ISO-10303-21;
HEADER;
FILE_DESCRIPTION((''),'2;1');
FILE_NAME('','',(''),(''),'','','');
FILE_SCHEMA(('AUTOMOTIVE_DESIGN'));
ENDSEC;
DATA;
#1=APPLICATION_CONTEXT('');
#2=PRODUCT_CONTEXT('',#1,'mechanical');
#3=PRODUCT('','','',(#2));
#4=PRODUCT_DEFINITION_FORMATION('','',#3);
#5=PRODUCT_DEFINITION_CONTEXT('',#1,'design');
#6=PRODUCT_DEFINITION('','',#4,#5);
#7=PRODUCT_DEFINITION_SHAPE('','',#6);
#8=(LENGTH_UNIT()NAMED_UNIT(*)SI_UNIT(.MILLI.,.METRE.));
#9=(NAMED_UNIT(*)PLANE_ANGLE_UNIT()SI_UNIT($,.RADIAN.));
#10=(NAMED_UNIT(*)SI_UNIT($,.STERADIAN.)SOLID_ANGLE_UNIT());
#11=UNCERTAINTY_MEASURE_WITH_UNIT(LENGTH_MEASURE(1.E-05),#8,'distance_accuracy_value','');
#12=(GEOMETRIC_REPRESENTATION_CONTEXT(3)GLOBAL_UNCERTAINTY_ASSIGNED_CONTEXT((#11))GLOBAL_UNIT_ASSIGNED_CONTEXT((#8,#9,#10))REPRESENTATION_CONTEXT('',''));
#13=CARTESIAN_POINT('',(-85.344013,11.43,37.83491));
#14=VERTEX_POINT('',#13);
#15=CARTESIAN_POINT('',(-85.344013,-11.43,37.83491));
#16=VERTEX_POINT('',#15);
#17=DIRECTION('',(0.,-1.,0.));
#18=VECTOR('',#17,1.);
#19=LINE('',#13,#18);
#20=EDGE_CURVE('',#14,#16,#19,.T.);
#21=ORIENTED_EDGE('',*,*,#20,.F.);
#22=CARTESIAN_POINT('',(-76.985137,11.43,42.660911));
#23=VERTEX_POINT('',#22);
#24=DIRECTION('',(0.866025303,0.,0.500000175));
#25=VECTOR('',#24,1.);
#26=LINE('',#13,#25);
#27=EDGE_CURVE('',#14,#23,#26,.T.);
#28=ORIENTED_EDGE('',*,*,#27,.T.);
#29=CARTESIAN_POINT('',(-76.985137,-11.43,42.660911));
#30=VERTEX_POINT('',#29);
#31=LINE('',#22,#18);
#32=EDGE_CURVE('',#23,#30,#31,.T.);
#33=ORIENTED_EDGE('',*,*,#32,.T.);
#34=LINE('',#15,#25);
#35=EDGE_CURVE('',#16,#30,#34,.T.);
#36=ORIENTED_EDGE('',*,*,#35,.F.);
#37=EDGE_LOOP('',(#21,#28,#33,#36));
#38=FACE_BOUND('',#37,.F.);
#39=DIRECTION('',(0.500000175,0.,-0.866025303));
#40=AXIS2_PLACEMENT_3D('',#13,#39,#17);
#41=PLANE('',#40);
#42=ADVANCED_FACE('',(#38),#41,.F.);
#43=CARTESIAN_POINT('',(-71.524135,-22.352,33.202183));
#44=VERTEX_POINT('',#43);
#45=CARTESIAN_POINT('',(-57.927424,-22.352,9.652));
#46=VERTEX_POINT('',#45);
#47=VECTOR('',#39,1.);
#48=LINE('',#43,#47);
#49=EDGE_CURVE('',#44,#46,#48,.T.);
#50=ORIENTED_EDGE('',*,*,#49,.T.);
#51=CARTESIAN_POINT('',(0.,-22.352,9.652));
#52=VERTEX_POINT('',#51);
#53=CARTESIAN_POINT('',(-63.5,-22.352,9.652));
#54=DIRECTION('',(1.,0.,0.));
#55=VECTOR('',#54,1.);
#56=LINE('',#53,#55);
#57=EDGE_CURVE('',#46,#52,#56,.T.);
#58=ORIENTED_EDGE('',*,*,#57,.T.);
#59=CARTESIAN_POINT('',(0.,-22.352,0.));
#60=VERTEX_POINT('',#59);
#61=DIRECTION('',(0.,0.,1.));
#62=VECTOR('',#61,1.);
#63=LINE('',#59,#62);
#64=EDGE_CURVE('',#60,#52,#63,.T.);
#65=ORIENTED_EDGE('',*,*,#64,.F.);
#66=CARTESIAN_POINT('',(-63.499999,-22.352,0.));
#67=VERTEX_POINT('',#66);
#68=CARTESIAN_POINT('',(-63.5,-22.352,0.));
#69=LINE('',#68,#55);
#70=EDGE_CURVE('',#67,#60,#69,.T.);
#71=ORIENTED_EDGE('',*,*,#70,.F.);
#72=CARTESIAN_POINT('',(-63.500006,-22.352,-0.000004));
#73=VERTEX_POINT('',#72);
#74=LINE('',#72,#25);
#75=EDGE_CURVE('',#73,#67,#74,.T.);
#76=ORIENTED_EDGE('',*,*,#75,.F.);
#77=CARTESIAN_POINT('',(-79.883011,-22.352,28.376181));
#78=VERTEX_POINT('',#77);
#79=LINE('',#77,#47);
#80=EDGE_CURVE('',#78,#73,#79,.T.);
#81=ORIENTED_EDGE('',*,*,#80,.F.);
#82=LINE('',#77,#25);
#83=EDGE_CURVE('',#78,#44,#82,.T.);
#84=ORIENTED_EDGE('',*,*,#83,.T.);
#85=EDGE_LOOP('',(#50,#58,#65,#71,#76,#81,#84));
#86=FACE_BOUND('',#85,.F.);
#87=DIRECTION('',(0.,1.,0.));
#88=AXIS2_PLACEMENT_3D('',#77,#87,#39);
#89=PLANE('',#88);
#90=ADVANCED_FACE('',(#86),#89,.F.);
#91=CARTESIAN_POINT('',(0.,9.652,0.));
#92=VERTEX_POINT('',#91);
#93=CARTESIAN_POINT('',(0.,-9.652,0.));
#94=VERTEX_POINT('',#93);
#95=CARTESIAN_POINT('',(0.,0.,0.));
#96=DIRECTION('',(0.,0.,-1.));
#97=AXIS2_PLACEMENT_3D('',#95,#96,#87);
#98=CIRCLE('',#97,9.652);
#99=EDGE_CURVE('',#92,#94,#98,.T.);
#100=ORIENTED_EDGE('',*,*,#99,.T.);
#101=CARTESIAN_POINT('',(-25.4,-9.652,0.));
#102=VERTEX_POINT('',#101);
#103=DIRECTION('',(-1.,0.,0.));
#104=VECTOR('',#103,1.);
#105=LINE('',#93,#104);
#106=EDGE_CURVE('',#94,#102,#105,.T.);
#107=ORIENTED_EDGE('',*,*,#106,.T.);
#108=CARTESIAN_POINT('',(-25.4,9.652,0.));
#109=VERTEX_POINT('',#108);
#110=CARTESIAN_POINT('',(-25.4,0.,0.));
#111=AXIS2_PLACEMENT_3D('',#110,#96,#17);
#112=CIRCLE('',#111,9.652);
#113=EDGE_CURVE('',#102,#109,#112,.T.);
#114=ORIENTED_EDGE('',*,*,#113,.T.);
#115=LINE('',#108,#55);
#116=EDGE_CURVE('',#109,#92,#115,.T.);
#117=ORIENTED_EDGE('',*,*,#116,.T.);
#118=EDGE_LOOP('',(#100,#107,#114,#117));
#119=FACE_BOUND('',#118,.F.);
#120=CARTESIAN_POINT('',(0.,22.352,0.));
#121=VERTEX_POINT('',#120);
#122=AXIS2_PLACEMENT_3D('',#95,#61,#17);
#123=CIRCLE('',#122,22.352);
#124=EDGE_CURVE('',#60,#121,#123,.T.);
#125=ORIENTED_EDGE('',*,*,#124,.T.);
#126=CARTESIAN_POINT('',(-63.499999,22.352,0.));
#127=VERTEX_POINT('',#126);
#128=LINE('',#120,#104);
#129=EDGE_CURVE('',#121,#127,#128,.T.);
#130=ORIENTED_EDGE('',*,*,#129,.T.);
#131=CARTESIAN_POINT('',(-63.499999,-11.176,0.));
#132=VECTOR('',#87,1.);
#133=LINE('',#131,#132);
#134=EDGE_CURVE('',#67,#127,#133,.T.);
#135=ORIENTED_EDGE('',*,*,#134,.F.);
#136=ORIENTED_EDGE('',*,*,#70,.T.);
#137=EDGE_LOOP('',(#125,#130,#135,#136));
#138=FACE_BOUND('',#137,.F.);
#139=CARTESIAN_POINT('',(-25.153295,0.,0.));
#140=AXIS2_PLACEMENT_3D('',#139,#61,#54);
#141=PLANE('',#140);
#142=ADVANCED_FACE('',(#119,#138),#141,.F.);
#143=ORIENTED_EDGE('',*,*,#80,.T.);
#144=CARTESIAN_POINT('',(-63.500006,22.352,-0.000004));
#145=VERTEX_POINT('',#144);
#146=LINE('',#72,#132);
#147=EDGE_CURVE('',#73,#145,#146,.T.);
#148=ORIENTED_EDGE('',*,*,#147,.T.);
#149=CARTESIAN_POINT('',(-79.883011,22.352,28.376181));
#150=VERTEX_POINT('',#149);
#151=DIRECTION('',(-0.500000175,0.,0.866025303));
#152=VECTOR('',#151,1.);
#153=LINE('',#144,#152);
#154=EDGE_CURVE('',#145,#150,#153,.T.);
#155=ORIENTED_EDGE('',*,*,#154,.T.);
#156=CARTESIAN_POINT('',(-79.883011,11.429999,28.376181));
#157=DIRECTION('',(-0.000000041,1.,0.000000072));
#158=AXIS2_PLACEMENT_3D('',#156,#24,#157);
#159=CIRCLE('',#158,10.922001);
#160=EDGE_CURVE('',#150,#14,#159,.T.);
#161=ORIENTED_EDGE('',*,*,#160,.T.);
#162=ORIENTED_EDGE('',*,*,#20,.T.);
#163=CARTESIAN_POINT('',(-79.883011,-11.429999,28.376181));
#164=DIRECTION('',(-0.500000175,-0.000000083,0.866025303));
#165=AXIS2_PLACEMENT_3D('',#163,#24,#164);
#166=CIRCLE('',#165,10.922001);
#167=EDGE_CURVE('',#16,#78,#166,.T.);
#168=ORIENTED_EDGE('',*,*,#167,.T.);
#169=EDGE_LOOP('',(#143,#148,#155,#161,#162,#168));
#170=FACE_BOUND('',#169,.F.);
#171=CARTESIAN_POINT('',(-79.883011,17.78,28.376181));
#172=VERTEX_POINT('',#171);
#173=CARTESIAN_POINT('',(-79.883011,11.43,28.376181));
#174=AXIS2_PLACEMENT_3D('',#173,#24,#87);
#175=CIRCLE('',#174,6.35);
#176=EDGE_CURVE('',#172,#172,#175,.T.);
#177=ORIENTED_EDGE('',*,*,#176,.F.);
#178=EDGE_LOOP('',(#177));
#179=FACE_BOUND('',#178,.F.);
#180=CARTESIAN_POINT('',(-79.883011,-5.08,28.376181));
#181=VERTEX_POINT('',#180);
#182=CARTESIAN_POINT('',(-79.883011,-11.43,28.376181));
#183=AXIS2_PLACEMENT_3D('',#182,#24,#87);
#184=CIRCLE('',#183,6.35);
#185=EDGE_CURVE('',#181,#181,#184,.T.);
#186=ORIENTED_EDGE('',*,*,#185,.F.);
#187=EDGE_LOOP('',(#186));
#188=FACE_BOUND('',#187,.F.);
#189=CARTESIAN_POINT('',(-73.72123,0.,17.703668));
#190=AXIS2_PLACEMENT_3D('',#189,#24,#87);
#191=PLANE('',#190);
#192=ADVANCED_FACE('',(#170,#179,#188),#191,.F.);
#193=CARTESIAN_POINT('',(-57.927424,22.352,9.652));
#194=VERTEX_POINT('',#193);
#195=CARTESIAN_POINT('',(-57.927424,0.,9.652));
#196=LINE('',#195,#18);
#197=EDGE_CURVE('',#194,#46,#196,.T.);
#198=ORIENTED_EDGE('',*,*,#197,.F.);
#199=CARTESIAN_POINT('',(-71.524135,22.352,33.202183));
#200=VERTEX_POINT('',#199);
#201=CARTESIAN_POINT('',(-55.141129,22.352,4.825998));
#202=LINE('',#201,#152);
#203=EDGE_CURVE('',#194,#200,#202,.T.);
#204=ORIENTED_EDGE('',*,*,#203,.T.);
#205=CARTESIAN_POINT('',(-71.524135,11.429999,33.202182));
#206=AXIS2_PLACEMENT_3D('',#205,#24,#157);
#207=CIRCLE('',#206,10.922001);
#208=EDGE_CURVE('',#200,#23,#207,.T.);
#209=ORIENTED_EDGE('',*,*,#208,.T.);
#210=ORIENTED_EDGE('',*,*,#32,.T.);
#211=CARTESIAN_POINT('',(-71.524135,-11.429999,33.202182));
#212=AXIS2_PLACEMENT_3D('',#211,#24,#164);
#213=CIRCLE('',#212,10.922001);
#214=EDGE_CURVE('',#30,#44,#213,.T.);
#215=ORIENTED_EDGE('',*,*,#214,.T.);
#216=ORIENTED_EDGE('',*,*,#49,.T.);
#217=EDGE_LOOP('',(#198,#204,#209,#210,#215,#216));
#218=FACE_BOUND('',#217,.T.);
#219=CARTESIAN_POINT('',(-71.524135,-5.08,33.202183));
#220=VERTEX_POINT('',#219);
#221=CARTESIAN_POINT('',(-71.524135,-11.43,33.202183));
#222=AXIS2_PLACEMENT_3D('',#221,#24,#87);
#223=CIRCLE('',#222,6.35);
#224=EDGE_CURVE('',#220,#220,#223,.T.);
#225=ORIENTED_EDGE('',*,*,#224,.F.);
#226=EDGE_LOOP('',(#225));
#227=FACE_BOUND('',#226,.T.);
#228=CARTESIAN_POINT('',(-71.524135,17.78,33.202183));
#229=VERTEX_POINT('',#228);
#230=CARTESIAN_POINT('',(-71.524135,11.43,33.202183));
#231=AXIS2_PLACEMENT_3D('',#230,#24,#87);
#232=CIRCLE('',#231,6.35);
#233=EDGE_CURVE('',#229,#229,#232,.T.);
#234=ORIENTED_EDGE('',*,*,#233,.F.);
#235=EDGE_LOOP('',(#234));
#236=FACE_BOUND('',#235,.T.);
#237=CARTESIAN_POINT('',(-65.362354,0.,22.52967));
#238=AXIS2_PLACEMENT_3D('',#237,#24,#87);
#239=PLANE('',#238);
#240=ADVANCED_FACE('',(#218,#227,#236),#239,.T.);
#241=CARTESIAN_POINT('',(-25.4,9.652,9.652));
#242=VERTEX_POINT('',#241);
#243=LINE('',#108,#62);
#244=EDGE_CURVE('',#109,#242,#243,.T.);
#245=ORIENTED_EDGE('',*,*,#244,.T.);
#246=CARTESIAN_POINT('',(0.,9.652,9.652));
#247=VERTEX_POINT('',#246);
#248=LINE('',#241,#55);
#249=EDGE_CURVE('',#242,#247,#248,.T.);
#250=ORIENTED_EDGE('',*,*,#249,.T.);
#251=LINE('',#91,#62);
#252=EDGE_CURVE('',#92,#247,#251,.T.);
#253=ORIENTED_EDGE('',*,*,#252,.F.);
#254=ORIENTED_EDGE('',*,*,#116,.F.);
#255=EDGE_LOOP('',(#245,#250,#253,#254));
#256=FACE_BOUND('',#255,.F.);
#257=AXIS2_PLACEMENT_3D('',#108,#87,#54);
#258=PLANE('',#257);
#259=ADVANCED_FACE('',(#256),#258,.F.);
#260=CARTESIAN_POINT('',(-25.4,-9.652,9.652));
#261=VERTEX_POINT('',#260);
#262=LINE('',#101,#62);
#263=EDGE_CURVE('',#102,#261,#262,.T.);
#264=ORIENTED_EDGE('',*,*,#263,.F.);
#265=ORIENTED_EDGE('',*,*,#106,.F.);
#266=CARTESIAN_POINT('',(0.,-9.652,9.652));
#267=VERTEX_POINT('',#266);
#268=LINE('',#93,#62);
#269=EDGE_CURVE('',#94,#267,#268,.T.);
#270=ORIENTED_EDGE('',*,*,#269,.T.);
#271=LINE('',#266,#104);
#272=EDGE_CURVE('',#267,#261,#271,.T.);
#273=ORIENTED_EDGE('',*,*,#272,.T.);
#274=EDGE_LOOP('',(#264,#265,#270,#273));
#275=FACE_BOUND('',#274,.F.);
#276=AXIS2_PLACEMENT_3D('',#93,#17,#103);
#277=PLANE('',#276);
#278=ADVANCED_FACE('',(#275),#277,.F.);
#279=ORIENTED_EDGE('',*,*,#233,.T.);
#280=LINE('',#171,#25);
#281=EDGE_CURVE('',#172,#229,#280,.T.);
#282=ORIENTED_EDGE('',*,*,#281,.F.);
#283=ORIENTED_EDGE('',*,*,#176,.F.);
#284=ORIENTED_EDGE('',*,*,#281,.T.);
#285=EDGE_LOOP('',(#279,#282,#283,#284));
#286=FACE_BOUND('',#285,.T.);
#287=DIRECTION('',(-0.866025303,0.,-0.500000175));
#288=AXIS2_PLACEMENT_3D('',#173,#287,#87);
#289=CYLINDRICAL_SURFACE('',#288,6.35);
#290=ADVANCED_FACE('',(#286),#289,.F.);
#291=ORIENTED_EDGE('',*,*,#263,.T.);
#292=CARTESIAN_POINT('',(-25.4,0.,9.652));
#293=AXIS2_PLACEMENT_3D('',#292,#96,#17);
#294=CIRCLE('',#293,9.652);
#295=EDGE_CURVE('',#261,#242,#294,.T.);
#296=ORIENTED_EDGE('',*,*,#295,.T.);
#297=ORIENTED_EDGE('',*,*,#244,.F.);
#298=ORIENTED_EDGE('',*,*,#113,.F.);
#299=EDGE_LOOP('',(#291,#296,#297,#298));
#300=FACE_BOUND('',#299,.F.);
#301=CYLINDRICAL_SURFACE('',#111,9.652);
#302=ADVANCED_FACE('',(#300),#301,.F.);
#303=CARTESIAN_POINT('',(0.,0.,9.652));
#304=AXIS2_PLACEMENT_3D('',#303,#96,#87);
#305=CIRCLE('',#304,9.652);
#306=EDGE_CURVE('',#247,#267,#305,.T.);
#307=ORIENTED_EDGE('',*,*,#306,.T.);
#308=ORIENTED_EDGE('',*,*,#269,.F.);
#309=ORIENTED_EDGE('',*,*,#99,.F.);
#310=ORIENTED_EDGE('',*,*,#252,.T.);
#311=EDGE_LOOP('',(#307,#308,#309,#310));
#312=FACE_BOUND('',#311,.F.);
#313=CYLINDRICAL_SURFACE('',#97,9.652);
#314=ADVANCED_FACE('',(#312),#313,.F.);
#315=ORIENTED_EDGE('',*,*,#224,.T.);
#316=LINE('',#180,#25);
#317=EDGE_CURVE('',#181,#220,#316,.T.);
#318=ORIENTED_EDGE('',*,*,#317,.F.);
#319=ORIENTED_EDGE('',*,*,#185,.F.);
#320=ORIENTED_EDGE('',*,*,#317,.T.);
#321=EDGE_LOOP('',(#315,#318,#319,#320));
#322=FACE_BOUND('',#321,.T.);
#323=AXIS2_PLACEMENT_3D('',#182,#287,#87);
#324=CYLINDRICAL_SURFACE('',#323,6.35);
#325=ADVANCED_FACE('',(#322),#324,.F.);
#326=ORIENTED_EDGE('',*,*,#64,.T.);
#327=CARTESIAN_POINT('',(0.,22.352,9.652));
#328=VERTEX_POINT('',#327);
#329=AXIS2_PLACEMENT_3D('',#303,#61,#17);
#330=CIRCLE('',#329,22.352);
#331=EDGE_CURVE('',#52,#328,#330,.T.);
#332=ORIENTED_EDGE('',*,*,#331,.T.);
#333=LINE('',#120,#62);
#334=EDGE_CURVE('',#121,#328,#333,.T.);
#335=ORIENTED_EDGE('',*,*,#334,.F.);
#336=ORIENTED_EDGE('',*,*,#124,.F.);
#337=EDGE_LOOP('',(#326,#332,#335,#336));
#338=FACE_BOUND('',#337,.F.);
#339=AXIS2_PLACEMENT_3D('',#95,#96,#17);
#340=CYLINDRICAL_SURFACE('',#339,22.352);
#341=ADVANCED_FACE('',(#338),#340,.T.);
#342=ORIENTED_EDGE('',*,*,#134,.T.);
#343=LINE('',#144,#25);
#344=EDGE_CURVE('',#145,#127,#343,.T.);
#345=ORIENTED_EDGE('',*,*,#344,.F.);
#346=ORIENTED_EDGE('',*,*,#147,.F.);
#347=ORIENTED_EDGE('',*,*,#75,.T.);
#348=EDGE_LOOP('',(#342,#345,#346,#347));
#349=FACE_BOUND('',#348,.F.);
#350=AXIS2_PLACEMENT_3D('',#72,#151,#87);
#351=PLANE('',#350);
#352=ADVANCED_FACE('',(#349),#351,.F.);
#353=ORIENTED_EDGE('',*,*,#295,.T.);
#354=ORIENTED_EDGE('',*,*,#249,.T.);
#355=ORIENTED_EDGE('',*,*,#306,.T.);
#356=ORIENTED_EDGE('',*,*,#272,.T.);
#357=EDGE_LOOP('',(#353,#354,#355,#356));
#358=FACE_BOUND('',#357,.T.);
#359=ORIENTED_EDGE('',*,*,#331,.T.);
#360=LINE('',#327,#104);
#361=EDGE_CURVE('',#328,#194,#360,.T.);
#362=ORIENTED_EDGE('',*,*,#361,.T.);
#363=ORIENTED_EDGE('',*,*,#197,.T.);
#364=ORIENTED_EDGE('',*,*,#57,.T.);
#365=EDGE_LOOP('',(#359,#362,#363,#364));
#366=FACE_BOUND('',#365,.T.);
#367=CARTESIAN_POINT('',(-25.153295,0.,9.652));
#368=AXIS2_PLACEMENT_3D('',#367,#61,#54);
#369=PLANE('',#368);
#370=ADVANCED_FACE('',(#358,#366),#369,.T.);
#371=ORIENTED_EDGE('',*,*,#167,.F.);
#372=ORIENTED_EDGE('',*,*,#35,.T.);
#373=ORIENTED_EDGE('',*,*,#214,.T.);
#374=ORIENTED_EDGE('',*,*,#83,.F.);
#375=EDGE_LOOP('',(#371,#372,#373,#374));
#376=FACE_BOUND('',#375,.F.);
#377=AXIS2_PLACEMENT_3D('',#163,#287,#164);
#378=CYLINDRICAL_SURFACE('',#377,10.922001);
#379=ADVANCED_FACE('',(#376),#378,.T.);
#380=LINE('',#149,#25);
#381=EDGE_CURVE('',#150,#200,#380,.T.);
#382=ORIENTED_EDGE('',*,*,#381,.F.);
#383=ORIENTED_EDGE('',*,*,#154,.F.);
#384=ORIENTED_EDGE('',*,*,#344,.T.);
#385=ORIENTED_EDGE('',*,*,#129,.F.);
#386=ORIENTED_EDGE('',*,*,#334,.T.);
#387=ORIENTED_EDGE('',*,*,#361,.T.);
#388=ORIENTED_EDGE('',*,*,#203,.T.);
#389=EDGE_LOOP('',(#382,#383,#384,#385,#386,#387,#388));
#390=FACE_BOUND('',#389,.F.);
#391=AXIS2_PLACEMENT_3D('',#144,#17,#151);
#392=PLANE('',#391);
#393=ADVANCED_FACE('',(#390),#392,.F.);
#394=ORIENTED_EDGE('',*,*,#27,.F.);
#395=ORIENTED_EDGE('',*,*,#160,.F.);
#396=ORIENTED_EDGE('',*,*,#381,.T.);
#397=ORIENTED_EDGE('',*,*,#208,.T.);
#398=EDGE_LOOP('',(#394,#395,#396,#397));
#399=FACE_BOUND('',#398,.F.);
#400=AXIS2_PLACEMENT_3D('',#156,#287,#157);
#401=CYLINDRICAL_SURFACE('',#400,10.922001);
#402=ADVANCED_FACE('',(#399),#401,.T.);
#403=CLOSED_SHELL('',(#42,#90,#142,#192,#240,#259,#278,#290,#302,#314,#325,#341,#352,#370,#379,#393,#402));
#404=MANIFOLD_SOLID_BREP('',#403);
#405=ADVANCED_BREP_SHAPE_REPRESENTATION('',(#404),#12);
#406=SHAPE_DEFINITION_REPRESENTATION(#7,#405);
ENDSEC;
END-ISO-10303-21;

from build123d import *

# Parameters (mm, degrees)
F2_R     = 6.35
F3_DEPTH = 9.652
F4_DEPTH = 9.652


with BuildPart() as f3:
    # F2 (on face) → F3 (new body)
    with BuildSketch(Plane(origin=(-47.625, 0, -27.496307), x_dir=(0, 1, 0), z_dir=(0.866025, 0, 0.5))):
        with BuildLine():
            Line((-22.352, 31.75), (22.352, 31.75))
            Line((22.352, 31.75), (22.352, 64.516))
            ThreePointArc((22.352, 64.516), (19.15302, 72.23902), (11.43, 75.438))
            Line((11.43, 75.438), (-11.43, 75.438))
            ThreePointArc((-11.43, 75.438), (-19.15302, 72.23902), (-22.352, 64.516))
            Line((-22.352, 64.516), (-22.352, 31.75))
        make_face()
        with Locations((-11.43, 64.516)):
            Circle(F2_R, mode=Mode.SUBTRACT)
        with Locations((11.43, 64.516)):
            Circle(F2_R, mode=Mode.SUBTRACT)
    extrude(amount=F3_DEPTH)

    # F0 (on Top) → F4 (join)
    with BuildSketch(Plane.XY):
        with BuildLine():
            Line((-63.5, -22.352), (0, -22.352))
            ThreePointArc((0, -22.352), (22.352, 0), (0, 22.352))
            Line((0, 22.352), (-63.5, 22.352))
            Line((-63.5, 22.352), (-63.5, -22.352))
        make_face()
        with BuildLine():
            ThreePointArc((0, 9.652), (9.652, 0), (0, -9.652))
            Line((0, -9.652), (-25.4, -9.652))
            ThreePointArc((-25.4, -9.652), (-35.052, 0), (-25.4, 9.652))
            Line((-25.4, 9.652), (0, 9.652))
        make_face(mode=Mode.SUBTRACT)
    extrude(amount=F4_DEPTH)


solid = f3.part
